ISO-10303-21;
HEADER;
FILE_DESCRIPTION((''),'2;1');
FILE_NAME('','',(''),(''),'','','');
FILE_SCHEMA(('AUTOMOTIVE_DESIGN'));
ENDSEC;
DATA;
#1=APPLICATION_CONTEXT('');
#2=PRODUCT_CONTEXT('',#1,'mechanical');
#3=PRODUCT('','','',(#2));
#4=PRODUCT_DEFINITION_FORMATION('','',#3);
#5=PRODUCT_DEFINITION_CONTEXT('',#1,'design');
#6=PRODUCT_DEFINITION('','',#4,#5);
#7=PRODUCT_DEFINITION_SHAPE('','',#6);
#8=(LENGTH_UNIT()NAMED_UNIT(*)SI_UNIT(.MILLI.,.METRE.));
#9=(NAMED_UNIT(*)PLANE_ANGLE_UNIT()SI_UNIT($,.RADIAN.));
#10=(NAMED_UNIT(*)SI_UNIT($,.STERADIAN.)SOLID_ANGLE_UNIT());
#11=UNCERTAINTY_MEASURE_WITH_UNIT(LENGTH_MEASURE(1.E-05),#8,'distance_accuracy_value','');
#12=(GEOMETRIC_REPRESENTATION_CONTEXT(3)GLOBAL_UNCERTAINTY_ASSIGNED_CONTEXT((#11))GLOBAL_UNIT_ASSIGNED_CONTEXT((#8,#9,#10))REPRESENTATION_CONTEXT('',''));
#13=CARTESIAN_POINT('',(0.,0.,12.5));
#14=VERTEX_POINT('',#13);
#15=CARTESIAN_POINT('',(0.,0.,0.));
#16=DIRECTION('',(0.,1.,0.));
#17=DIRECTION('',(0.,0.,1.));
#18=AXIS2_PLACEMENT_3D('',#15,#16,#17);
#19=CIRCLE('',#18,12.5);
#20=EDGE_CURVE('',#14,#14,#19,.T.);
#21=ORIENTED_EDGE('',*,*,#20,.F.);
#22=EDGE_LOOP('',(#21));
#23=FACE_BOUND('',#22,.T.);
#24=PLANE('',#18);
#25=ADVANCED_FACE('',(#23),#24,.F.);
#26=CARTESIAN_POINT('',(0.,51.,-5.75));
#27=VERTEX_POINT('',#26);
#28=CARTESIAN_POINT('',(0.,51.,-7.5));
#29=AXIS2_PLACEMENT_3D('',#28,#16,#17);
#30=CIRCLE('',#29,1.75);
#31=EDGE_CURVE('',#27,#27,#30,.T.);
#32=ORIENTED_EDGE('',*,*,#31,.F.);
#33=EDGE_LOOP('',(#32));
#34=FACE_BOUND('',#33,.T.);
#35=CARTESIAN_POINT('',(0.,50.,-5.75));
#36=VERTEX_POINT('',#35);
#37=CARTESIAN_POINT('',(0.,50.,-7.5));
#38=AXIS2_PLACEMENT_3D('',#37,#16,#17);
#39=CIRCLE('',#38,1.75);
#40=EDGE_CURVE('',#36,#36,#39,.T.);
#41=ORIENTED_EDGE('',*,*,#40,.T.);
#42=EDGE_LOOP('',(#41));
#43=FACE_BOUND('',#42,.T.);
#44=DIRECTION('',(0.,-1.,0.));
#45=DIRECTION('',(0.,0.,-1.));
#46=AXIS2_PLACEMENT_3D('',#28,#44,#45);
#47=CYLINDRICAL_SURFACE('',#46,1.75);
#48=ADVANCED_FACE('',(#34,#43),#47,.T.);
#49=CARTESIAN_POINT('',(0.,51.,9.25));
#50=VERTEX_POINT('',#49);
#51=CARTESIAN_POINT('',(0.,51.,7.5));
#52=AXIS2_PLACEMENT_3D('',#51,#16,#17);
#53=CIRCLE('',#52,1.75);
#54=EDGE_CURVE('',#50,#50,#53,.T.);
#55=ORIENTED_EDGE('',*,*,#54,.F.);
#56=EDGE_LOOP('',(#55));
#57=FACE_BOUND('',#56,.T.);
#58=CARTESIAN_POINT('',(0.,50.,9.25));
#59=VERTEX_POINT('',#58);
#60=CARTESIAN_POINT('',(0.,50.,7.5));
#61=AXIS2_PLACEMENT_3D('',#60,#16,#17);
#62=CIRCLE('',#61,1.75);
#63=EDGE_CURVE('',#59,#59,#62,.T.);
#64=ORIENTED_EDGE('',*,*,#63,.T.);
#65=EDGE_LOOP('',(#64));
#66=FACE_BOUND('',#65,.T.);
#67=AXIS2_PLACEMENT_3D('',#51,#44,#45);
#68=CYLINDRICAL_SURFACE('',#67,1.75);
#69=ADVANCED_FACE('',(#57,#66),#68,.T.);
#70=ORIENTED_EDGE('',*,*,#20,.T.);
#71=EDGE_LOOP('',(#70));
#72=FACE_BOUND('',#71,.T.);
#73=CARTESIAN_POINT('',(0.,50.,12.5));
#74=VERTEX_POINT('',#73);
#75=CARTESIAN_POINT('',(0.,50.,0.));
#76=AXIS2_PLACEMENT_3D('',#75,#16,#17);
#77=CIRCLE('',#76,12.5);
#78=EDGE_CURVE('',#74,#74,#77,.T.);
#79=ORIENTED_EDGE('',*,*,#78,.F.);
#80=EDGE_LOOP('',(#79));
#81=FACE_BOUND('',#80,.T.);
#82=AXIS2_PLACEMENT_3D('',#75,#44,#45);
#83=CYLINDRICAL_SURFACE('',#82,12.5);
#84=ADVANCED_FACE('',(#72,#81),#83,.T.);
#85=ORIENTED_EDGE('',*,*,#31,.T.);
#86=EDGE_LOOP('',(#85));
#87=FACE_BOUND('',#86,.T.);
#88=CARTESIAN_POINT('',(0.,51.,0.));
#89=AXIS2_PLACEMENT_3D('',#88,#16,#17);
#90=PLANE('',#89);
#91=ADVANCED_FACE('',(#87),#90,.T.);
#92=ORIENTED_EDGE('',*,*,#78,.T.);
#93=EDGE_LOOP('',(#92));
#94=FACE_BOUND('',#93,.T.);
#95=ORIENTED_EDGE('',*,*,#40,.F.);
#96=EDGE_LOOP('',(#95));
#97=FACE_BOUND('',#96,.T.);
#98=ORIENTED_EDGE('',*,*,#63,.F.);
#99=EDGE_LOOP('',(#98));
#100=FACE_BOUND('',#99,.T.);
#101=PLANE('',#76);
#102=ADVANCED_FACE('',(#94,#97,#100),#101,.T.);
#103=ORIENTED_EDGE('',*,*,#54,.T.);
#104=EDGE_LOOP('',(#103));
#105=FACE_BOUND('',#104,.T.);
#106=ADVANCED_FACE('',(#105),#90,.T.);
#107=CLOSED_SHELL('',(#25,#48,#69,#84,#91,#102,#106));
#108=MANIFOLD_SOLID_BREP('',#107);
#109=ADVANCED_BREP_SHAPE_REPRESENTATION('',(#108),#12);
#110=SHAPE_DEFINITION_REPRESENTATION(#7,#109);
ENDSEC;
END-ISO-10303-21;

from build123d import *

# Parameters (mm, degrees)
SKETCH1_R           = 12.5
BOSS_EXTRUDE1_DEPTH = 50
SKETCH2_R           = 1.75
BOSS_EXTRUDE2_DEPTH = 1


with BuildPart() as part:
    # Sketch1 → Boss-Extrude1 (new body)
    with BuildSketch(Plane(origin=(0, 0, 0), x_dir=(1, 0, 0), z_dir=(0, 1, 0))):
        with Locations(Location((0, 0, 0), (0, 0, 270))):
            Circle(SKETCH1_R)
    extrude(amount=BOSS_EXTRUDE1_DEPTH)

    # Sketch2 → Boss-Extrude2 (add)
    with BuildSketch(Plane(origin=(0, 50, 0), x_dir=(1, 0, 0), z_dir=(0, 1, 0))):
        with Locations(Location((0, 7.5, 0), (0, 0, 270))):
            Circle(SKETCH2_R)
        with Locations(Location((0, -7.5, 0), (0, 0, 270))):
            Circle(SKETCH2_R)
    extrude(amount=BOSS_EXTRUDE2_DEPTH)


solid = part.part
